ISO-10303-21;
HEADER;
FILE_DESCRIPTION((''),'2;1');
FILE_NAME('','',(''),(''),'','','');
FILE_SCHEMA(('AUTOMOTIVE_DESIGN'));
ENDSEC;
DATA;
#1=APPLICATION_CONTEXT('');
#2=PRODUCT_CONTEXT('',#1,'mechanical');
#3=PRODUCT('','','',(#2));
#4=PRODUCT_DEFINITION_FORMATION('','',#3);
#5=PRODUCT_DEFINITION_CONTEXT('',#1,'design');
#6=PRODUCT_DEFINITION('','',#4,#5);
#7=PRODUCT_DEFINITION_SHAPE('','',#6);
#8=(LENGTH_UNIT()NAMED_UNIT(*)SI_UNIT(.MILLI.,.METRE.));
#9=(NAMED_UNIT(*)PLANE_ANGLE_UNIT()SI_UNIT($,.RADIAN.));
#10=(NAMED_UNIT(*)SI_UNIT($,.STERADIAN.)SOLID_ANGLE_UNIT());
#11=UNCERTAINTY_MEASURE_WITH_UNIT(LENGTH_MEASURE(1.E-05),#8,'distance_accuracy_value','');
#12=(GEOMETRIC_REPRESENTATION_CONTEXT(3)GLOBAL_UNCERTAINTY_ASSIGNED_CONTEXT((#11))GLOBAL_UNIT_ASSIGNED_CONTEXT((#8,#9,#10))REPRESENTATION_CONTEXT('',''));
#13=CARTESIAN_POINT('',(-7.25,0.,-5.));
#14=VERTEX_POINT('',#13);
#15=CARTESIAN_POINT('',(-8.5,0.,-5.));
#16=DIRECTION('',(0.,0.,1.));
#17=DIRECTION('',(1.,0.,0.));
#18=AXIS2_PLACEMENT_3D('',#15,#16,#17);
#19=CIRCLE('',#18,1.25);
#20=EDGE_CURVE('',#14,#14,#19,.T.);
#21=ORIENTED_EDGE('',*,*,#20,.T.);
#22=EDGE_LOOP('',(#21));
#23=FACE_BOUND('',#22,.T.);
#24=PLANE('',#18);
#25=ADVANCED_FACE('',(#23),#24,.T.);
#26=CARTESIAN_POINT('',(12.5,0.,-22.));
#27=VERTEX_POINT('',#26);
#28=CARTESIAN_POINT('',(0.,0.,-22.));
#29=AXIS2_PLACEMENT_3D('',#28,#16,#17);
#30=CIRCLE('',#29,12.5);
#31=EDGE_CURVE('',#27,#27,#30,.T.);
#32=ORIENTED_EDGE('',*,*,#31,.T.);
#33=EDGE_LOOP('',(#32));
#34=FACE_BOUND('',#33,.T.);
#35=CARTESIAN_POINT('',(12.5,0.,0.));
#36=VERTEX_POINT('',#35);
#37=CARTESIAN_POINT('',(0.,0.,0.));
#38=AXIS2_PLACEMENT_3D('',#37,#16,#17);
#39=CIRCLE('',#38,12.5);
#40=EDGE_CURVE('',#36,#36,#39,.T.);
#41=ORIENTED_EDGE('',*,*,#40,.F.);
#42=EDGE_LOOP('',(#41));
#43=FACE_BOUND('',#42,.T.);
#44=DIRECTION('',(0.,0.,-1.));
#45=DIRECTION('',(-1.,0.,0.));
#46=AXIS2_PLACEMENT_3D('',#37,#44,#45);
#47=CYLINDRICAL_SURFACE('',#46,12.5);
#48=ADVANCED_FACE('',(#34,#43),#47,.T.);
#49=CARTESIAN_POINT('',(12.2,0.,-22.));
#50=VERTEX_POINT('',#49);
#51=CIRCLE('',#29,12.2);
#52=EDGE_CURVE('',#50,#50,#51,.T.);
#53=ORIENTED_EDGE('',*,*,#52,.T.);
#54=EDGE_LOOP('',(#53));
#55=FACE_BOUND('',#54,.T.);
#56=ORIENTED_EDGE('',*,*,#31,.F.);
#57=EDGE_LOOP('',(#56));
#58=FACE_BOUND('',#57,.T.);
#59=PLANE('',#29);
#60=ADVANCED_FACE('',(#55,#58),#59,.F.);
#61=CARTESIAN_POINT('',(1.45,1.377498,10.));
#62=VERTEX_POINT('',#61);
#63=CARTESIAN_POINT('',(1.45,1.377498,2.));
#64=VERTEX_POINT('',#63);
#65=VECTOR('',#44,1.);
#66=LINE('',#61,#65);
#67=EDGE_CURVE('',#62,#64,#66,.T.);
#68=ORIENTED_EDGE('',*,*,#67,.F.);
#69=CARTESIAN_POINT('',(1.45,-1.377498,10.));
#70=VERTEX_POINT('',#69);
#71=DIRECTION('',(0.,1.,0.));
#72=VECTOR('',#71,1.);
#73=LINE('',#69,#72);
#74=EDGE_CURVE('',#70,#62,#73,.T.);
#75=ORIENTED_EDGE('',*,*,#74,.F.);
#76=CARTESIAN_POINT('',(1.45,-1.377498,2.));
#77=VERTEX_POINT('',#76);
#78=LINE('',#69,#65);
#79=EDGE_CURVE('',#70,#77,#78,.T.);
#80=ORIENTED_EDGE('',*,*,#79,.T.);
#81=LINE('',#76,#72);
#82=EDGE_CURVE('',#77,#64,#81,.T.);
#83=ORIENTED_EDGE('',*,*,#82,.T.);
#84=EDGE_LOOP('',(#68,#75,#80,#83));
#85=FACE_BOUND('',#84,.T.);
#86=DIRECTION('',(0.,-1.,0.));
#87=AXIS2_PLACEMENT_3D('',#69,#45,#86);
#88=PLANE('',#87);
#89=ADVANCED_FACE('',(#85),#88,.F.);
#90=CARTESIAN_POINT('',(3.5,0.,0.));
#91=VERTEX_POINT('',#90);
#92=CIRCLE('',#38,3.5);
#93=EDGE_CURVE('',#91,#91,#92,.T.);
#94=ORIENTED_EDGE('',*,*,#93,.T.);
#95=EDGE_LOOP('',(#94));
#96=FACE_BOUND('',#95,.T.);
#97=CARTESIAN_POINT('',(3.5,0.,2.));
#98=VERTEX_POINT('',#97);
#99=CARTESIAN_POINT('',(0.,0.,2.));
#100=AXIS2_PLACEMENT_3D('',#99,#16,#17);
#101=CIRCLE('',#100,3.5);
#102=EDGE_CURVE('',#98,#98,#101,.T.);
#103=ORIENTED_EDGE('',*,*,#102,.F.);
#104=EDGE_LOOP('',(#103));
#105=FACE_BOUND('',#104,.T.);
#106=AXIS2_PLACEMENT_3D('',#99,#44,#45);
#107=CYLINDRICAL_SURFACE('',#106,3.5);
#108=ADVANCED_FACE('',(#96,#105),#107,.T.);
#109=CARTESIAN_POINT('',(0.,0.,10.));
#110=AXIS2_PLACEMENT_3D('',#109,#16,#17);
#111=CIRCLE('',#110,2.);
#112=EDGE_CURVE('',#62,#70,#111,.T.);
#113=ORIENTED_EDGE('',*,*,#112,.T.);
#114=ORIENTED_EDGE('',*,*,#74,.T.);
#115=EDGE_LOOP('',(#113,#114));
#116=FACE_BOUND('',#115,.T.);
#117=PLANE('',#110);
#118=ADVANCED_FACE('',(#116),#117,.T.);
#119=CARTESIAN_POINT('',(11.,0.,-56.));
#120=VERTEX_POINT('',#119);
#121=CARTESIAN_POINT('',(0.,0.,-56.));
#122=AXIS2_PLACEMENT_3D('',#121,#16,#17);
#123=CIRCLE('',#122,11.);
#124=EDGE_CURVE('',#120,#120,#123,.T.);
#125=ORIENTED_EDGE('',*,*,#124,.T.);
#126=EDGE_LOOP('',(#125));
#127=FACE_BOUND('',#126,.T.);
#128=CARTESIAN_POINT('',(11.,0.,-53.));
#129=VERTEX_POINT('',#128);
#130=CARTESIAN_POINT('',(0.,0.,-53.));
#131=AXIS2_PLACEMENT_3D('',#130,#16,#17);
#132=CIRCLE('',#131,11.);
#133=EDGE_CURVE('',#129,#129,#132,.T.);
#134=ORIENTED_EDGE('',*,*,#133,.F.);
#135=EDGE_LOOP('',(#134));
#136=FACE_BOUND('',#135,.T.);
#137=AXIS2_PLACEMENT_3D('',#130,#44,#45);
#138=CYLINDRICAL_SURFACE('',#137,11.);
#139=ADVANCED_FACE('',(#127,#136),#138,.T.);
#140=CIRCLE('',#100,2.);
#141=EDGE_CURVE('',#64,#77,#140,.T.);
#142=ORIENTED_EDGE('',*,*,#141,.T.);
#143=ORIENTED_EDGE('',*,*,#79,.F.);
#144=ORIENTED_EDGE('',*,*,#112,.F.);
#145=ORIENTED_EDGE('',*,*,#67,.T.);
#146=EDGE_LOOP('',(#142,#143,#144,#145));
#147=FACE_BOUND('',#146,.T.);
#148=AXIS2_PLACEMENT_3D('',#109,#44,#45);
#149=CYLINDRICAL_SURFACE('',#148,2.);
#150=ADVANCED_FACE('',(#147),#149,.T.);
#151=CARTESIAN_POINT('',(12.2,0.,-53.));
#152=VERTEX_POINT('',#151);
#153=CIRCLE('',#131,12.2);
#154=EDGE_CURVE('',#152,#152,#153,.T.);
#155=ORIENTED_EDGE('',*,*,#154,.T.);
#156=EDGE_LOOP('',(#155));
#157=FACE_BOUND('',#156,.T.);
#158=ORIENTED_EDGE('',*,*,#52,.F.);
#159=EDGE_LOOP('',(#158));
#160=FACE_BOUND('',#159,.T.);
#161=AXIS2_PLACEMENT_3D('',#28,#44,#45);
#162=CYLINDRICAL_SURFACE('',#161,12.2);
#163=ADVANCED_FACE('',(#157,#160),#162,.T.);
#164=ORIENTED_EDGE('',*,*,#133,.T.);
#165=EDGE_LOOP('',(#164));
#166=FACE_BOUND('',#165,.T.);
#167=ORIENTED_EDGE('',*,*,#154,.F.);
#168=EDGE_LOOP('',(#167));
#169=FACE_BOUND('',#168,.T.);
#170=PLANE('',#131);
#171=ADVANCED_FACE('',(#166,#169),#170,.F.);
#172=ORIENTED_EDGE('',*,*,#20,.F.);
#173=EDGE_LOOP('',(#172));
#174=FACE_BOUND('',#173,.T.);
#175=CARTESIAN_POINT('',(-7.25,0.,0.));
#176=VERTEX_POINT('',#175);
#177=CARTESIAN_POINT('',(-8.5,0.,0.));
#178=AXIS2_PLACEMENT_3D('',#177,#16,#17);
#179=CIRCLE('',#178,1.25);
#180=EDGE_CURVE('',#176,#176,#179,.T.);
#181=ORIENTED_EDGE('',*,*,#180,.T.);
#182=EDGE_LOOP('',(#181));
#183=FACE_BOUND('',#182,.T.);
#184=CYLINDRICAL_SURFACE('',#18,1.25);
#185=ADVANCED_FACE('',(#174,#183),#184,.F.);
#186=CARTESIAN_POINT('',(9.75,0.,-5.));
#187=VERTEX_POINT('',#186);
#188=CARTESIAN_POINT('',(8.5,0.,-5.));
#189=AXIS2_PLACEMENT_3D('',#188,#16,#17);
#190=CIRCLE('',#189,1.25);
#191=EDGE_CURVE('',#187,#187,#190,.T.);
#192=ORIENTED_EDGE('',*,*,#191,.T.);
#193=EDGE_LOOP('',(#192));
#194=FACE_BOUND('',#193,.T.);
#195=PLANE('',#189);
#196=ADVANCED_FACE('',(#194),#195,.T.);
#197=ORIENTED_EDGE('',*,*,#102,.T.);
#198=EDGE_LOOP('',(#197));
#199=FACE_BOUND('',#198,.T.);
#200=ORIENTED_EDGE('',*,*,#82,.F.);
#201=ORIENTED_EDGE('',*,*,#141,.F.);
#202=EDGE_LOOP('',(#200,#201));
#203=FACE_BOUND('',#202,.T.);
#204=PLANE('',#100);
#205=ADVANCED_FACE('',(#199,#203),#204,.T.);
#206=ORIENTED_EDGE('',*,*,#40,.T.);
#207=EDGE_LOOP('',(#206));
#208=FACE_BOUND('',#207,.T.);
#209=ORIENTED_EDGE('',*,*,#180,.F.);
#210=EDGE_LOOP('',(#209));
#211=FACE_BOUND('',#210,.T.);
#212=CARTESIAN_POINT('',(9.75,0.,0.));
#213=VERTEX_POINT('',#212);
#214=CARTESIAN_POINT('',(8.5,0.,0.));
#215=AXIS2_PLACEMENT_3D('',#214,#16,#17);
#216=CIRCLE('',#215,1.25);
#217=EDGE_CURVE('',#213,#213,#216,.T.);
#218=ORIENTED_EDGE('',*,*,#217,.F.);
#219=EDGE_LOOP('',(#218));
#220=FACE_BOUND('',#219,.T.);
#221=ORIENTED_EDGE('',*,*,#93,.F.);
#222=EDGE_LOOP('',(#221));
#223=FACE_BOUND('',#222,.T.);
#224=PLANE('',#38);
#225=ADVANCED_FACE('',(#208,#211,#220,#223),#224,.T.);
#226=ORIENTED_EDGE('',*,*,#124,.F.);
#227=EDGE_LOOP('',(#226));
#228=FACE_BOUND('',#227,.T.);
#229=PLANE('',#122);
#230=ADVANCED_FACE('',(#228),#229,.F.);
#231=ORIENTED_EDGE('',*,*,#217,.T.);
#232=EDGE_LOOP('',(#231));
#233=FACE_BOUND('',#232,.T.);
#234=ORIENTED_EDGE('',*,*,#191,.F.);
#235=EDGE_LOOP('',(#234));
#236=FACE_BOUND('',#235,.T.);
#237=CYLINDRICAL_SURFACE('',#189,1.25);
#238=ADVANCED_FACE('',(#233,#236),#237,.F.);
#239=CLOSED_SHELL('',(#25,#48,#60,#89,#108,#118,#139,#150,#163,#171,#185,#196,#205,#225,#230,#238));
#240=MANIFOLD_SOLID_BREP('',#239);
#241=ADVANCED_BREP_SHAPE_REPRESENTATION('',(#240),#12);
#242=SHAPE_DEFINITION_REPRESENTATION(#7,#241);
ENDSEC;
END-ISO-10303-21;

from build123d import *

# Parameters (mm, degrees)
SKETCH1_R           = 12.5
GEARBOX_DEPTH       = 22
SKETCH2_R           = 12.2
CAN_DEPTH           = 31
SKETCH3_R           = 11
END_CAP_DEPTH       = 3
SKETCH4_R           = 3.5
BEARING_BOSS_DEPTH  = 2
SHAFT_4MM_D_DEPTH   = 8
SKETCH6_R           = 1.25
M3_FACE_HOLES_DEPTH = 5


with BuildPart() as part:
    # Sketch1 → Gearbox (new body)
    with BuildSketch(Plane.XY.offset(-22)):
        Circle(SKETCH1_R)
    extrude(amount=GEARBOX_DEPTH)

    # Sketch2 → Can (add)
    with BuildSketch(Plane.XY.offset(-53)):
        Circle(SKETCH2_R)
    extrude(amount=CAN_DEPTH)

    # Sketch3 → End_cap (add)
    with BuildSketch(Plane.XY.offset(-56)):
        Circle(SKETCH3_R)
    extrude(amount=END_CAP_DEPTH)

    # Sketch4 → Bearing_boss (add)
    with BuildSketch(Plane.XY):
        Circle(SKETCH4_R)
    extrude(amount=BEARING_BOSS_DEPTH)

    # Sketch5 → Shaft_4mm_D (add)
    with BuildSketch(Plane.XY.offset(2)):
        with BuildLine():
            Line((1.45, -1.377497731), (1.45, 1.377497731))
            ThreePointArc((1.45, 1.377497731), (-2, 0), (1.45, -1.377497731))
        make_face()
    extrude(amount=SHAFT_4MM_D_DEPTH)

    # Sketch6 → M3_face_holes (cut)
    with BuildSketch(Plane.XY):
        with Locations((-8.5, 0)):
            Circle(SKETCH6_R)
        with Locations((8.5, 0)):
            Circle(SKETCH6_R)
    extrude(amount=-M3_FACE_HOLES_DEPTH, mode=Mode.SUBTRACT)


solid = part.part
